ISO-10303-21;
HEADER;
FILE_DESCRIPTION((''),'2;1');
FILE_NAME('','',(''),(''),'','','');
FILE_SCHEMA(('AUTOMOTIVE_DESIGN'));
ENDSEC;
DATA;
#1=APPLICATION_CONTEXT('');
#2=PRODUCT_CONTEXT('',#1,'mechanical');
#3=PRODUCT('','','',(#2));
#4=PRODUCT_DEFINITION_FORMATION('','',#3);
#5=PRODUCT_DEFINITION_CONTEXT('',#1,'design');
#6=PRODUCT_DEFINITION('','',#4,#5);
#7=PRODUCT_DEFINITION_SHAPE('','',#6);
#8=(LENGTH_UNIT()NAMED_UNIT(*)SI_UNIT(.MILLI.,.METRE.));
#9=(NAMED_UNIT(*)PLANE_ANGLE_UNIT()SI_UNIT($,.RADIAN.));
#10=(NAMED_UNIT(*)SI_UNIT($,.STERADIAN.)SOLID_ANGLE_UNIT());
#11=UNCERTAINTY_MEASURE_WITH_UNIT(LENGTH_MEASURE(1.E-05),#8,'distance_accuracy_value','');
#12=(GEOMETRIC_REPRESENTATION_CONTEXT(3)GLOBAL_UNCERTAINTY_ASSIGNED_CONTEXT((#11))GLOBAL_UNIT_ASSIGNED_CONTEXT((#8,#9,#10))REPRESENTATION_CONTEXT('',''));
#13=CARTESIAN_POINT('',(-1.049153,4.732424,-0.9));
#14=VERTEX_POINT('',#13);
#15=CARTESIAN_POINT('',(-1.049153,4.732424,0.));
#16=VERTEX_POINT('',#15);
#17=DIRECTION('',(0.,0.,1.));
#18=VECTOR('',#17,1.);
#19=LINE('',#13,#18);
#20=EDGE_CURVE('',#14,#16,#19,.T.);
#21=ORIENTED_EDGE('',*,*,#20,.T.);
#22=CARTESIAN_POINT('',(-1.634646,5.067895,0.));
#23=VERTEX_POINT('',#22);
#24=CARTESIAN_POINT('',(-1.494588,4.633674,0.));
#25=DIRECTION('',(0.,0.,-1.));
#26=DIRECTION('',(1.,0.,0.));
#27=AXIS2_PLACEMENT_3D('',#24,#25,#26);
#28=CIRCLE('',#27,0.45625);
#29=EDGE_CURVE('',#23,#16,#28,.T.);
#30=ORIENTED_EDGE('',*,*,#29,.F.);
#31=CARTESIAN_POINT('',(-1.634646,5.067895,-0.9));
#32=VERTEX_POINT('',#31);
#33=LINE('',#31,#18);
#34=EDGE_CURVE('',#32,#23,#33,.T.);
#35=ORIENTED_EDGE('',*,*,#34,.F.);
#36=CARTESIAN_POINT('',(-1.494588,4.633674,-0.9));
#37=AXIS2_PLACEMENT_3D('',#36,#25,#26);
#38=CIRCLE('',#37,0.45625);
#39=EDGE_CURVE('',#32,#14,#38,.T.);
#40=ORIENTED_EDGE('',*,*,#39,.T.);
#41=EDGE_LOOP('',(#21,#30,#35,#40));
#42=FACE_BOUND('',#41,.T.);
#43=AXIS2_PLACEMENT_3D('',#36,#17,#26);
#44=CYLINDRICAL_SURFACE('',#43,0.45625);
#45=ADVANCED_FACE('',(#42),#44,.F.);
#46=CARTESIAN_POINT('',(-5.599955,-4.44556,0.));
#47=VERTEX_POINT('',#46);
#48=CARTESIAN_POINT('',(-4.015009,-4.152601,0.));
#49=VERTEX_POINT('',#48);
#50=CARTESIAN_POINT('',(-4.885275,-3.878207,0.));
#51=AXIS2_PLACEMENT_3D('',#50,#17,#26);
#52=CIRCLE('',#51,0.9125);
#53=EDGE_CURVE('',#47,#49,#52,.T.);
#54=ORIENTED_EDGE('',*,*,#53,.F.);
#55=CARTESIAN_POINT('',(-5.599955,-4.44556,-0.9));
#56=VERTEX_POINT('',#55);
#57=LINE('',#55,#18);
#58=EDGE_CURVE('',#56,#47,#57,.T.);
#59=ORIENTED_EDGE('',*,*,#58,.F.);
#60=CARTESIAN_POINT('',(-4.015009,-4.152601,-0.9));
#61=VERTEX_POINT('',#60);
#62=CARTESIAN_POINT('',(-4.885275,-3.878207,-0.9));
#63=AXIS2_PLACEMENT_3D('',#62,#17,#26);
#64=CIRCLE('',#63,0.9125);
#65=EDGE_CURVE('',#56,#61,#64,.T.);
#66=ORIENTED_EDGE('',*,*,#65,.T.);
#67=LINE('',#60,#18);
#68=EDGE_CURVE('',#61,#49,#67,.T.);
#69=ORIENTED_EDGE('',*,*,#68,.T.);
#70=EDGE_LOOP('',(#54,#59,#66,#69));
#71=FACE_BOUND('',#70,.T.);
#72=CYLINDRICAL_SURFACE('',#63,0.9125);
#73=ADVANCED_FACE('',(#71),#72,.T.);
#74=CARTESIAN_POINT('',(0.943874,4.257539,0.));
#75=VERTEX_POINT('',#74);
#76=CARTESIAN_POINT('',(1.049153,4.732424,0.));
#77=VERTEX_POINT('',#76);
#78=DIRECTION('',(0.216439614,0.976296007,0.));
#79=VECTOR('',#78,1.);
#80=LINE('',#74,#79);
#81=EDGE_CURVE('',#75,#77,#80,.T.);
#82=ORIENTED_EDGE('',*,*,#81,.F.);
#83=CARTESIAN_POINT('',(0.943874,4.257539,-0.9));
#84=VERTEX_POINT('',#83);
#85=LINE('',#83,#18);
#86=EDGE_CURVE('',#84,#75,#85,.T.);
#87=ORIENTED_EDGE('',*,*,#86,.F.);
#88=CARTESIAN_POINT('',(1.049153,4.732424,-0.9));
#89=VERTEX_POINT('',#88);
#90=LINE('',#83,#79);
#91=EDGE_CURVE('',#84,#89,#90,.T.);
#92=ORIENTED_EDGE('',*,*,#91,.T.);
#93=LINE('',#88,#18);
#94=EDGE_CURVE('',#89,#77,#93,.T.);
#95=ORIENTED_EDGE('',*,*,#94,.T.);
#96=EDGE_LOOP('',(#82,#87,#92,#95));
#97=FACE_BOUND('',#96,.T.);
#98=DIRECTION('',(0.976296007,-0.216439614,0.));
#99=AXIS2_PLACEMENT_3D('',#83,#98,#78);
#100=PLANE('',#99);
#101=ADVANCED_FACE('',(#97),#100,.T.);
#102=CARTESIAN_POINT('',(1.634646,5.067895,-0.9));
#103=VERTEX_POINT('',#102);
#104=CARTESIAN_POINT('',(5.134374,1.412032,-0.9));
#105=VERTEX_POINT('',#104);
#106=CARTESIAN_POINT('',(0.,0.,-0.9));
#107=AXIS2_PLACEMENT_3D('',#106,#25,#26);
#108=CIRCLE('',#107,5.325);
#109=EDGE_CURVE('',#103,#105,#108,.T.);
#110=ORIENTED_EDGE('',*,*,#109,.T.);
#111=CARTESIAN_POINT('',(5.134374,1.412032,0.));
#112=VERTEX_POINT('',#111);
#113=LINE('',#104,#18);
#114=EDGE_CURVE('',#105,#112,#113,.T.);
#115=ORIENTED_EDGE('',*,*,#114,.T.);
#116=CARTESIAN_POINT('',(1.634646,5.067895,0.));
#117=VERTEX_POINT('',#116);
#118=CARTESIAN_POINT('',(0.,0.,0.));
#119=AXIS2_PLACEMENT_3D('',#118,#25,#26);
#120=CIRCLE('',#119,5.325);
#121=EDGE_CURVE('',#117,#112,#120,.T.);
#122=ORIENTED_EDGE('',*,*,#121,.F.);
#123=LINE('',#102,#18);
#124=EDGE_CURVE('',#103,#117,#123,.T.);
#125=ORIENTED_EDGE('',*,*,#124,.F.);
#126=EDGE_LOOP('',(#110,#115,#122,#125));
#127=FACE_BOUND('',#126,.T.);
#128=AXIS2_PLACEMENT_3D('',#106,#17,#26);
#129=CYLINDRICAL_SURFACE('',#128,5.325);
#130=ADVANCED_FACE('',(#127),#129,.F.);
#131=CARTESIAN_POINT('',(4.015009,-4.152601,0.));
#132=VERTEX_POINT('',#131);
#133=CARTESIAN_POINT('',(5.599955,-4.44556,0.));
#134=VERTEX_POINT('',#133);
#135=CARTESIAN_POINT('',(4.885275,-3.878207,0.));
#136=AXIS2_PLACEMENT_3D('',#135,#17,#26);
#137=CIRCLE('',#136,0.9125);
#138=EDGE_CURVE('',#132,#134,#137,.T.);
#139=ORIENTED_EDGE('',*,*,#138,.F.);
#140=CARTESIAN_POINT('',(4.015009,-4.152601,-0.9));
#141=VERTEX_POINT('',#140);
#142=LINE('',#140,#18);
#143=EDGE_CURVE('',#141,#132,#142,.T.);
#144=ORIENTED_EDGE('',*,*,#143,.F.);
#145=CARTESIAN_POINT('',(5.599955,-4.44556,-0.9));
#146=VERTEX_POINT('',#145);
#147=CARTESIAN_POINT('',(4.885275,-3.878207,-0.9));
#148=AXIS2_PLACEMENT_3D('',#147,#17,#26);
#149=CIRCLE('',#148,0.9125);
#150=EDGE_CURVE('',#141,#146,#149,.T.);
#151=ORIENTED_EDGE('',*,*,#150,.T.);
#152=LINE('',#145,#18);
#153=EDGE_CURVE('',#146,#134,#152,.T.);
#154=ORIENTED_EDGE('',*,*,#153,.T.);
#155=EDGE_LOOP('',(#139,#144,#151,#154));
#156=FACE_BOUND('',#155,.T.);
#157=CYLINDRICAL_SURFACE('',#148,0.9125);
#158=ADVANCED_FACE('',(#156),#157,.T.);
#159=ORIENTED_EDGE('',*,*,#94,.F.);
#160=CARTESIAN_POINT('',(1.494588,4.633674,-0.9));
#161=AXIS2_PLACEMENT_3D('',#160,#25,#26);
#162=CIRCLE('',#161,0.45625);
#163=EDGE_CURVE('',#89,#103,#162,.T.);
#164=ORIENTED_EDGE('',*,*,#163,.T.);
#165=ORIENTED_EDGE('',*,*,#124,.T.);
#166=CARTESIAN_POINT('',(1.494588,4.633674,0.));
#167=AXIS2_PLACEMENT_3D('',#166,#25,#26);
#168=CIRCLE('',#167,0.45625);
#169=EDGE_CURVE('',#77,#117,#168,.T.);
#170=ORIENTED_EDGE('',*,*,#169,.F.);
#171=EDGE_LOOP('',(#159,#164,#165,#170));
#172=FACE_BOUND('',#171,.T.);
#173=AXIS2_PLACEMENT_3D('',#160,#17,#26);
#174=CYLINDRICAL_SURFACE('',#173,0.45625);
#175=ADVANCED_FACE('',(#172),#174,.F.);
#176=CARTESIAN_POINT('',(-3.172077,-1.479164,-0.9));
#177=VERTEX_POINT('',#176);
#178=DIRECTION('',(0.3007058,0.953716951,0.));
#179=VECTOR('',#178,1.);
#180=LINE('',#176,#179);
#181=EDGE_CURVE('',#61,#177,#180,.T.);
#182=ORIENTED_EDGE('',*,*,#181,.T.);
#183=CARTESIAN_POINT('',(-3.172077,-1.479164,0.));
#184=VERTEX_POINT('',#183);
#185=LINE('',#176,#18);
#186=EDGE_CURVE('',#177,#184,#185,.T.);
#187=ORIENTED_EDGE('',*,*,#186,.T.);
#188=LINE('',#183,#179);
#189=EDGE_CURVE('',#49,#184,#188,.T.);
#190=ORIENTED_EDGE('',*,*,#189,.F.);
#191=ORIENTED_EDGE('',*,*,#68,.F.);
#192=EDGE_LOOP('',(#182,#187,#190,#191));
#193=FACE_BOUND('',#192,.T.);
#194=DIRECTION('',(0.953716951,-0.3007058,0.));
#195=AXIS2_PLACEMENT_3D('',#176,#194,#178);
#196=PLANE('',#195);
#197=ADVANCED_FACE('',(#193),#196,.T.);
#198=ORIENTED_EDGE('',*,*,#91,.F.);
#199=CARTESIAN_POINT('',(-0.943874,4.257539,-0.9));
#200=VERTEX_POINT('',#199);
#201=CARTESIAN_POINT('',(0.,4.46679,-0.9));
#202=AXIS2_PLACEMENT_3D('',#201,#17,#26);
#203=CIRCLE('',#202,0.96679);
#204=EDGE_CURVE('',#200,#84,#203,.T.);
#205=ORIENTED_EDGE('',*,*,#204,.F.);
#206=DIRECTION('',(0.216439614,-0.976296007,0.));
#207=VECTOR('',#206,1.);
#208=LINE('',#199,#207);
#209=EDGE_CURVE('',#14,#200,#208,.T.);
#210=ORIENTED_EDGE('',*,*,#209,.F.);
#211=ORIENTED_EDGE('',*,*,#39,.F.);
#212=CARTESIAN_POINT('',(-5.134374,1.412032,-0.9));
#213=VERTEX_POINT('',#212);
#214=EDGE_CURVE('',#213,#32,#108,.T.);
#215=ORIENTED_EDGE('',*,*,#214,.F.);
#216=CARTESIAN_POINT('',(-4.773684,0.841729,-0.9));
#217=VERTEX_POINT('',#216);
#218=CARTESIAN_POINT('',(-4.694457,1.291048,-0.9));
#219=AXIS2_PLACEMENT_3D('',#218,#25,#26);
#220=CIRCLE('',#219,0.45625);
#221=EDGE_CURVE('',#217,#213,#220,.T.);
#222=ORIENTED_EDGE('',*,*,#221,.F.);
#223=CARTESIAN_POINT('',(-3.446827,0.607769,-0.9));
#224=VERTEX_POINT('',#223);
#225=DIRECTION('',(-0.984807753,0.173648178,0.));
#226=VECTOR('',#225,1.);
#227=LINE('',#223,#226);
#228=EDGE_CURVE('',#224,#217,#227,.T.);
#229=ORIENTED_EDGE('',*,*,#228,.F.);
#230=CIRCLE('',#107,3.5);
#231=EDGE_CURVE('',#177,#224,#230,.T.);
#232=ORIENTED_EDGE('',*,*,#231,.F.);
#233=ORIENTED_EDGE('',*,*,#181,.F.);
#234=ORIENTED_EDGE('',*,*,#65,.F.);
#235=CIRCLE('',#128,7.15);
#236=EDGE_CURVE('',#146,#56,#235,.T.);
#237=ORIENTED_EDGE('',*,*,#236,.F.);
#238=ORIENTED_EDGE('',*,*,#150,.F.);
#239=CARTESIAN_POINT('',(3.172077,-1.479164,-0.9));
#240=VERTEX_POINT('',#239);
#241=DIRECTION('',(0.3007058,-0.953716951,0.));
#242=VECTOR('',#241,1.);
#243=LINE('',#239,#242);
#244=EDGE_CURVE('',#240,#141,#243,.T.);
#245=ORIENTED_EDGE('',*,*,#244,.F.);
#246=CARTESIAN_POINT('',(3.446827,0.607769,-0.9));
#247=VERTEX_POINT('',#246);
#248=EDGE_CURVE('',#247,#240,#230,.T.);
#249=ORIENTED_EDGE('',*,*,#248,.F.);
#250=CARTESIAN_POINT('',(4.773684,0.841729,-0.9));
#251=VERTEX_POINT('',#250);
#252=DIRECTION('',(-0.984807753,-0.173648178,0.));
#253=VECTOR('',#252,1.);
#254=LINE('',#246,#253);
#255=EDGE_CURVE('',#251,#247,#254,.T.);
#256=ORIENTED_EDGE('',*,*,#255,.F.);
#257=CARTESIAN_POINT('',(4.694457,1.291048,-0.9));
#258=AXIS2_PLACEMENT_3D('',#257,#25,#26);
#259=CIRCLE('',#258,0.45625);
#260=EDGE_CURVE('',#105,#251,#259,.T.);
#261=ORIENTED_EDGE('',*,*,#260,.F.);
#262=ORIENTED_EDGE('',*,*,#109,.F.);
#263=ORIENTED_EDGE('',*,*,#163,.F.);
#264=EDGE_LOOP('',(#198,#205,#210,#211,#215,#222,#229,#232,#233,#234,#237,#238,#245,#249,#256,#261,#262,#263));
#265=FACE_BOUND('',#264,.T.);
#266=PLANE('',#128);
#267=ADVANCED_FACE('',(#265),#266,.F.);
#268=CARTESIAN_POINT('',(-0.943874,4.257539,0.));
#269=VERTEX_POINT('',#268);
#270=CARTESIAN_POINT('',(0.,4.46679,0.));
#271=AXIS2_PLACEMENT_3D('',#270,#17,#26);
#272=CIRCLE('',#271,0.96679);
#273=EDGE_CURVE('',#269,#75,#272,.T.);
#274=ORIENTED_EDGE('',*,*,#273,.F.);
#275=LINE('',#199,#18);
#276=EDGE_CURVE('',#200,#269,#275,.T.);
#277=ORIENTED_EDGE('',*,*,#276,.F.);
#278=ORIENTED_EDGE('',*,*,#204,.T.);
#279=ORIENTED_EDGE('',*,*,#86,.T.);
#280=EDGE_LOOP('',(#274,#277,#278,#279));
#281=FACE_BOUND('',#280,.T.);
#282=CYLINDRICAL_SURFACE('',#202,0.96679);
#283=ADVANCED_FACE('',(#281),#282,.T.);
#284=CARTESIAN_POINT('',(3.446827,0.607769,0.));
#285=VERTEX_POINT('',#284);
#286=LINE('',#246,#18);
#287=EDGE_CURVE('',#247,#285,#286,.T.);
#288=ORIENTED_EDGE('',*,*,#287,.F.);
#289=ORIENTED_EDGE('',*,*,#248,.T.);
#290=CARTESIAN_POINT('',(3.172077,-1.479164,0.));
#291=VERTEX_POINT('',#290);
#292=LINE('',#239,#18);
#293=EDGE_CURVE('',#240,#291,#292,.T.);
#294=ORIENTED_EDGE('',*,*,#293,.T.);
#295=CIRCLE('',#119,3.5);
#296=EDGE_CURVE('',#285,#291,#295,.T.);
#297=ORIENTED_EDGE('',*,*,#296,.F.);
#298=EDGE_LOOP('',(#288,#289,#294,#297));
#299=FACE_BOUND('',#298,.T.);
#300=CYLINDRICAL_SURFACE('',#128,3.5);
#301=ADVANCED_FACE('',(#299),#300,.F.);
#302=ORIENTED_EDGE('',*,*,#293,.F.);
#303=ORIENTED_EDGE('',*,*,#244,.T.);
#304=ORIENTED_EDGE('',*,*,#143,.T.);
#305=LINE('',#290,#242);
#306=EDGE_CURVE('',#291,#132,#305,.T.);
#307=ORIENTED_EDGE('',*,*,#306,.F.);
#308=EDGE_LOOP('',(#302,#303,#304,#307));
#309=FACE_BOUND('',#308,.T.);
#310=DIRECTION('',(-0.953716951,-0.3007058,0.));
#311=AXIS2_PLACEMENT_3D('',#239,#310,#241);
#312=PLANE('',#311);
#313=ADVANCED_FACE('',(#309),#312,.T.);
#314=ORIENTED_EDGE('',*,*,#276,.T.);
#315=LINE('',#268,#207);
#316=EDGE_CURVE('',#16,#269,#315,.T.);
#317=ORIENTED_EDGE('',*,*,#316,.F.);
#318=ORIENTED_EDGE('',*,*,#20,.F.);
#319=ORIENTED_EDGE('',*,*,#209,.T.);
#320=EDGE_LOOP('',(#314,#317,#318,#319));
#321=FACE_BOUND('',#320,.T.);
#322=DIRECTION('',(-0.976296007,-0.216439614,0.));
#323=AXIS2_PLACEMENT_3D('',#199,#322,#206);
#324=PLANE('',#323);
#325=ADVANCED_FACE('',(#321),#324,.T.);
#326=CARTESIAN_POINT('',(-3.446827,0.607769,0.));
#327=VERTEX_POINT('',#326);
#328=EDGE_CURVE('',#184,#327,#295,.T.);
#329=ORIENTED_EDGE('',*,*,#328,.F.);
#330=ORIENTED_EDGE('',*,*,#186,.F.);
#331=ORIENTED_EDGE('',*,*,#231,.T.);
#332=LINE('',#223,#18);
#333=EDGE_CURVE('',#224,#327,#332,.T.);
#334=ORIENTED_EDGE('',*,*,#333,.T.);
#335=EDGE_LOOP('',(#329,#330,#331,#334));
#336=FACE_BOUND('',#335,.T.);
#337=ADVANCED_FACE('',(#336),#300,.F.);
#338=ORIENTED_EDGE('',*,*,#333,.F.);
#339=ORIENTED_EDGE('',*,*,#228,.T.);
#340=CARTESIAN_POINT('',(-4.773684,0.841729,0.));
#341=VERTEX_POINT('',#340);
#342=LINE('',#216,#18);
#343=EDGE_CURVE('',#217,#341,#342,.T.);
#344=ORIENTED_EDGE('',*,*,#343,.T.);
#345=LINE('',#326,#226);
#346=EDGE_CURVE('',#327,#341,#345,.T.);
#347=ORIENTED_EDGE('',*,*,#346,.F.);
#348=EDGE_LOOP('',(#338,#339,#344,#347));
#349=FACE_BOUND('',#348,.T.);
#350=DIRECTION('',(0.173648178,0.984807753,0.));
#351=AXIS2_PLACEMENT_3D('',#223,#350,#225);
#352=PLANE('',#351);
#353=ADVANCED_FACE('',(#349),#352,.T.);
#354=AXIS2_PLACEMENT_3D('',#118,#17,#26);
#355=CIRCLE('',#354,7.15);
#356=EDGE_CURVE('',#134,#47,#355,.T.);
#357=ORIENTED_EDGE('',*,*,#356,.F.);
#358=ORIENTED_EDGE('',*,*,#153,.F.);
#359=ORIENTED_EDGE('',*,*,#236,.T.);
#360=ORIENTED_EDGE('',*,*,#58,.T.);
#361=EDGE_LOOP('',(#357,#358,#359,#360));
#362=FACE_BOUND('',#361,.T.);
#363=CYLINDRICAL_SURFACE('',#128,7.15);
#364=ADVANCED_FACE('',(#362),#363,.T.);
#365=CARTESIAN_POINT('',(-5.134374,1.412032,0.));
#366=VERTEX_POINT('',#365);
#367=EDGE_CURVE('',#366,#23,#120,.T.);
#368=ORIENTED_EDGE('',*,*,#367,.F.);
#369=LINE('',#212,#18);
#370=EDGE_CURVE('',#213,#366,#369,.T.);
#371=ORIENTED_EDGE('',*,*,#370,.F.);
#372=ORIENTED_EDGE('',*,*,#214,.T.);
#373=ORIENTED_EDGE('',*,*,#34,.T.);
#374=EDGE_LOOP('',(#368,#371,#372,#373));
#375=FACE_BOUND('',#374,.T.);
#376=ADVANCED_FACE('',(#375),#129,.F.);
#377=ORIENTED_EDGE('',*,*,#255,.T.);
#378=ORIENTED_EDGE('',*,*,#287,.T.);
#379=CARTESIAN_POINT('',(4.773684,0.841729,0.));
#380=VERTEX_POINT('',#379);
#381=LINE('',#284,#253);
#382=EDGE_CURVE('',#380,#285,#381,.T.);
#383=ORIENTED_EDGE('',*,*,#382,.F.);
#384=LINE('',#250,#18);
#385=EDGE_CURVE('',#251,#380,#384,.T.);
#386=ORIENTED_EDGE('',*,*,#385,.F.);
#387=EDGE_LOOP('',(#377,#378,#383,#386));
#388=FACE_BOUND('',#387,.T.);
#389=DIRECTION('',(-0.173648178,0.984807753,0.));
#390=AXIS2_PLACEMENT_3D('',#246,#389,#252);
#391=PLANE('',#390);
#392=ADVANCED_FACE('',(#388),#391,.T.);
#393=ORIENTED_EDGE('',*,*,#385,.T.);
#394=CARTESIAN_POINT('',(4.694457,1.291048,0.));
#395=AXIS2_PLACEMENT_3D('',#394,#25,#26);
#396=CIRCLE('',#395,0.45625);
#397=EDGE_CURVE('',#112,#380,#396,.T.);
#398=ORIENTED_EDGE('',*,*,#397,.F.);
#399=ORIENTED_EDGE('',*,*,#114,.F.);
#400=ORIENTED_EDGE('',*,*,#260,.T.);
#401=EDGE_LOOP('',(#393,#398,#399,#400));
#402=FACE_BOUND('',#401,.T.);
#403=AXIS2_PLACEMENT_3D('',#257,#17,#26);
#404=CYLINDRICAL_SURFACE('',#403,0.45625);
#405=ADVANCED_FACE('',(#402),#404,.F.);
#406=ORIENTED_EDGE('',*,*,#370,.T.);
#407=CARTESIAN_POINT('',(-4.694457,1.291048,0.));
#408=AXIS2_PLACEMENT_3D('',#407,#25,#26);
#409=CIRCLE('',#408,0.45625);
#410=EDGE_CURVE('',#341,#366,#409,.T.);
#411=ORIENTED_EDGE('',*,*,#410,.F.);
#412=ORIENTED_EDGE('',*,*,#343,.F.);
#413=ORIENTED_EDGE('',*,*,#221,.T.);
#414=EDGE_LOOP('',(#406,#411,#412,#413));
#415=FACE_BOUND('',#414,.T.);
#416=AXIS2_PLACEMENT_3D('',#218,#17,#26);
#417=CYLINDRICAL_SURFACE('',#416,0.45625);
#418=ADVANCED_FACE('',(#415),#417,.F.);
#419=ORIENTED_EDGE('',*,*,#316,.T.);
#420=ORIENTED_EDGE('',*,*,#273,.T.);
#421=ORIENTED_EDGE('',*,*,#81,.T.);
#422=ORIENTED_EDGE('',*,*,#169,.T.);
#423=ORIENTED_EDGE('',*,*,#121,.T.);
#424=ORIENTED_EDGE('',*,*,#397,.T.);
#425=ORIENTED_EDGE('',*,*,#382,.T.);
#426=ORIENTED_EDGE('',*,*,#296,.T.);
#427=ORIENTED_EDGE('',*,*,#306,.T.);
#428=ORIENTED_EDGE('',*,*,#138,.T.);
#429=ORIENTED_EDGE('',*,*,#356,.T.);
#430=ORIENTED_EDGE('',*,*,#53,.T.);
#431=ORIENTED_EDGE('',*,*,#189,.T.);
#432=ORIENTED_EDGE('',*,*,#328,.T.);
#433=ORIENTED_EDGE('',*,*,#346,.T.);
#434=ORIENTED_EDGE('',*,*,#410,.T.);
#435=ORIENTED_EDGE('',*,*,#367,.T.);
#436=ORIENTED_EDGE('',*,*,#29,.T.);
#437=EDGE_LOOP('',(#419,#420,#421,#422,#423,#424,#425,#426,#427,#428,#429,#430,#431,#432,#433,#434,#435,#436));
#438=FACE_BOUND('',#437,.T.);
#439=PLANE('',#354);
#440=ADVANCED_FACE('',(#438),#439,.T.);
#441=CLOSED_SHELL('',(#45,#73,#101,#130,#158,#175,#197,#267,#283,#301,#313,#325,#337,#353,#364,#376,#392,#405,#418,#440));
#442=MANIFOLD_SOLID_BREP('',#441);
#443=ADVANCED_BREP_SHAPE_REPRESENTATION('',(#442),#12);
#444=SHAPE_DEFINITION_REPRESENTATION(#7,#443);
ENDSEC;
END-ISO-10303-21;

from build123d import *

# Parameters (mm, degrees)
BODY_DEPTH = 0.9


with BuildPart() as part:
    # BodySke → Body (new body)
    with BuildSketch(Plane.XY):
        with BuildLine():
            Line((3.446827136, 0.607768622), (4.77368353, 0.841729204))
            ThreePointArc((4.77368353, 0.841729204), (5.080058469, 1.047172318), (5.13437353, 1.412031676))
            ThreePointArc((5.13437353, 1.412031676), (3.846588098, 3.682307022), (1.634645962, 5.067894788))
            ThreePointArc((1.634645962, 5.067894788), (1.267764681, 5.029546364), (1.049153215, 4.732424329))
            Line((1.049153215, 4.732424329), (0.943873594, 4.257538649))
            ThreePointArc((0.943873594, 4.257538649), (0, 3.5), (-0.943873594, 4.257538649))
            Line((-0.943873594, 4.257538649), (-1.049153215, 4.732424329))
            ThreePointArc((-1.049153215, 4.732424329), (-1.267764681, 5.029546364), (-1.634645962, 5.067894788))
            ThreePointArc((-1.634645962, 5.067894788), (-3.846588098, 3.682307022), (-5.13437353, 1.412031676))
            ThreePointArc((-5.13437353, 1.412031676), (-5.080058469, 1.047172318), (-4.77368353, 0.841729204))
            Line((-4.77368353, 0.841729204), (-3.446827136, 0.607768622))
            ThreePointArc((-3.446827136, 0.607768622), (-3.470057015, -0.456841673), (-3.172077255, -1.479163916))
            Line((-3.172077255, -1.479163916), (-4.015008754, -4.152601078))
            ThreePointArc((-4.015008754, -4.152601078), (-4.71941991, -4.775507534), (-5.59995505, -4.445559969))
            ThreePointArc((-5.59995505, -4.445559969), (0, 7.15), (5.59995505, -4.445559969))
            ThreePointArc((5.59995505, -4.445559969), (4.71941991, -4.775507534), (4.015008754, -4.152601078))
            Line((4.015008754, -4.152601078), (3.172077255, -1.479163916))
            ThreePointArc((3.172077255, -1.479163916), (3.470057015, -0.456841673), (3.446827136, 0.607768622))
        make_face()
    extrude(amount=-BODY_DEPTH)


solid = part.part
